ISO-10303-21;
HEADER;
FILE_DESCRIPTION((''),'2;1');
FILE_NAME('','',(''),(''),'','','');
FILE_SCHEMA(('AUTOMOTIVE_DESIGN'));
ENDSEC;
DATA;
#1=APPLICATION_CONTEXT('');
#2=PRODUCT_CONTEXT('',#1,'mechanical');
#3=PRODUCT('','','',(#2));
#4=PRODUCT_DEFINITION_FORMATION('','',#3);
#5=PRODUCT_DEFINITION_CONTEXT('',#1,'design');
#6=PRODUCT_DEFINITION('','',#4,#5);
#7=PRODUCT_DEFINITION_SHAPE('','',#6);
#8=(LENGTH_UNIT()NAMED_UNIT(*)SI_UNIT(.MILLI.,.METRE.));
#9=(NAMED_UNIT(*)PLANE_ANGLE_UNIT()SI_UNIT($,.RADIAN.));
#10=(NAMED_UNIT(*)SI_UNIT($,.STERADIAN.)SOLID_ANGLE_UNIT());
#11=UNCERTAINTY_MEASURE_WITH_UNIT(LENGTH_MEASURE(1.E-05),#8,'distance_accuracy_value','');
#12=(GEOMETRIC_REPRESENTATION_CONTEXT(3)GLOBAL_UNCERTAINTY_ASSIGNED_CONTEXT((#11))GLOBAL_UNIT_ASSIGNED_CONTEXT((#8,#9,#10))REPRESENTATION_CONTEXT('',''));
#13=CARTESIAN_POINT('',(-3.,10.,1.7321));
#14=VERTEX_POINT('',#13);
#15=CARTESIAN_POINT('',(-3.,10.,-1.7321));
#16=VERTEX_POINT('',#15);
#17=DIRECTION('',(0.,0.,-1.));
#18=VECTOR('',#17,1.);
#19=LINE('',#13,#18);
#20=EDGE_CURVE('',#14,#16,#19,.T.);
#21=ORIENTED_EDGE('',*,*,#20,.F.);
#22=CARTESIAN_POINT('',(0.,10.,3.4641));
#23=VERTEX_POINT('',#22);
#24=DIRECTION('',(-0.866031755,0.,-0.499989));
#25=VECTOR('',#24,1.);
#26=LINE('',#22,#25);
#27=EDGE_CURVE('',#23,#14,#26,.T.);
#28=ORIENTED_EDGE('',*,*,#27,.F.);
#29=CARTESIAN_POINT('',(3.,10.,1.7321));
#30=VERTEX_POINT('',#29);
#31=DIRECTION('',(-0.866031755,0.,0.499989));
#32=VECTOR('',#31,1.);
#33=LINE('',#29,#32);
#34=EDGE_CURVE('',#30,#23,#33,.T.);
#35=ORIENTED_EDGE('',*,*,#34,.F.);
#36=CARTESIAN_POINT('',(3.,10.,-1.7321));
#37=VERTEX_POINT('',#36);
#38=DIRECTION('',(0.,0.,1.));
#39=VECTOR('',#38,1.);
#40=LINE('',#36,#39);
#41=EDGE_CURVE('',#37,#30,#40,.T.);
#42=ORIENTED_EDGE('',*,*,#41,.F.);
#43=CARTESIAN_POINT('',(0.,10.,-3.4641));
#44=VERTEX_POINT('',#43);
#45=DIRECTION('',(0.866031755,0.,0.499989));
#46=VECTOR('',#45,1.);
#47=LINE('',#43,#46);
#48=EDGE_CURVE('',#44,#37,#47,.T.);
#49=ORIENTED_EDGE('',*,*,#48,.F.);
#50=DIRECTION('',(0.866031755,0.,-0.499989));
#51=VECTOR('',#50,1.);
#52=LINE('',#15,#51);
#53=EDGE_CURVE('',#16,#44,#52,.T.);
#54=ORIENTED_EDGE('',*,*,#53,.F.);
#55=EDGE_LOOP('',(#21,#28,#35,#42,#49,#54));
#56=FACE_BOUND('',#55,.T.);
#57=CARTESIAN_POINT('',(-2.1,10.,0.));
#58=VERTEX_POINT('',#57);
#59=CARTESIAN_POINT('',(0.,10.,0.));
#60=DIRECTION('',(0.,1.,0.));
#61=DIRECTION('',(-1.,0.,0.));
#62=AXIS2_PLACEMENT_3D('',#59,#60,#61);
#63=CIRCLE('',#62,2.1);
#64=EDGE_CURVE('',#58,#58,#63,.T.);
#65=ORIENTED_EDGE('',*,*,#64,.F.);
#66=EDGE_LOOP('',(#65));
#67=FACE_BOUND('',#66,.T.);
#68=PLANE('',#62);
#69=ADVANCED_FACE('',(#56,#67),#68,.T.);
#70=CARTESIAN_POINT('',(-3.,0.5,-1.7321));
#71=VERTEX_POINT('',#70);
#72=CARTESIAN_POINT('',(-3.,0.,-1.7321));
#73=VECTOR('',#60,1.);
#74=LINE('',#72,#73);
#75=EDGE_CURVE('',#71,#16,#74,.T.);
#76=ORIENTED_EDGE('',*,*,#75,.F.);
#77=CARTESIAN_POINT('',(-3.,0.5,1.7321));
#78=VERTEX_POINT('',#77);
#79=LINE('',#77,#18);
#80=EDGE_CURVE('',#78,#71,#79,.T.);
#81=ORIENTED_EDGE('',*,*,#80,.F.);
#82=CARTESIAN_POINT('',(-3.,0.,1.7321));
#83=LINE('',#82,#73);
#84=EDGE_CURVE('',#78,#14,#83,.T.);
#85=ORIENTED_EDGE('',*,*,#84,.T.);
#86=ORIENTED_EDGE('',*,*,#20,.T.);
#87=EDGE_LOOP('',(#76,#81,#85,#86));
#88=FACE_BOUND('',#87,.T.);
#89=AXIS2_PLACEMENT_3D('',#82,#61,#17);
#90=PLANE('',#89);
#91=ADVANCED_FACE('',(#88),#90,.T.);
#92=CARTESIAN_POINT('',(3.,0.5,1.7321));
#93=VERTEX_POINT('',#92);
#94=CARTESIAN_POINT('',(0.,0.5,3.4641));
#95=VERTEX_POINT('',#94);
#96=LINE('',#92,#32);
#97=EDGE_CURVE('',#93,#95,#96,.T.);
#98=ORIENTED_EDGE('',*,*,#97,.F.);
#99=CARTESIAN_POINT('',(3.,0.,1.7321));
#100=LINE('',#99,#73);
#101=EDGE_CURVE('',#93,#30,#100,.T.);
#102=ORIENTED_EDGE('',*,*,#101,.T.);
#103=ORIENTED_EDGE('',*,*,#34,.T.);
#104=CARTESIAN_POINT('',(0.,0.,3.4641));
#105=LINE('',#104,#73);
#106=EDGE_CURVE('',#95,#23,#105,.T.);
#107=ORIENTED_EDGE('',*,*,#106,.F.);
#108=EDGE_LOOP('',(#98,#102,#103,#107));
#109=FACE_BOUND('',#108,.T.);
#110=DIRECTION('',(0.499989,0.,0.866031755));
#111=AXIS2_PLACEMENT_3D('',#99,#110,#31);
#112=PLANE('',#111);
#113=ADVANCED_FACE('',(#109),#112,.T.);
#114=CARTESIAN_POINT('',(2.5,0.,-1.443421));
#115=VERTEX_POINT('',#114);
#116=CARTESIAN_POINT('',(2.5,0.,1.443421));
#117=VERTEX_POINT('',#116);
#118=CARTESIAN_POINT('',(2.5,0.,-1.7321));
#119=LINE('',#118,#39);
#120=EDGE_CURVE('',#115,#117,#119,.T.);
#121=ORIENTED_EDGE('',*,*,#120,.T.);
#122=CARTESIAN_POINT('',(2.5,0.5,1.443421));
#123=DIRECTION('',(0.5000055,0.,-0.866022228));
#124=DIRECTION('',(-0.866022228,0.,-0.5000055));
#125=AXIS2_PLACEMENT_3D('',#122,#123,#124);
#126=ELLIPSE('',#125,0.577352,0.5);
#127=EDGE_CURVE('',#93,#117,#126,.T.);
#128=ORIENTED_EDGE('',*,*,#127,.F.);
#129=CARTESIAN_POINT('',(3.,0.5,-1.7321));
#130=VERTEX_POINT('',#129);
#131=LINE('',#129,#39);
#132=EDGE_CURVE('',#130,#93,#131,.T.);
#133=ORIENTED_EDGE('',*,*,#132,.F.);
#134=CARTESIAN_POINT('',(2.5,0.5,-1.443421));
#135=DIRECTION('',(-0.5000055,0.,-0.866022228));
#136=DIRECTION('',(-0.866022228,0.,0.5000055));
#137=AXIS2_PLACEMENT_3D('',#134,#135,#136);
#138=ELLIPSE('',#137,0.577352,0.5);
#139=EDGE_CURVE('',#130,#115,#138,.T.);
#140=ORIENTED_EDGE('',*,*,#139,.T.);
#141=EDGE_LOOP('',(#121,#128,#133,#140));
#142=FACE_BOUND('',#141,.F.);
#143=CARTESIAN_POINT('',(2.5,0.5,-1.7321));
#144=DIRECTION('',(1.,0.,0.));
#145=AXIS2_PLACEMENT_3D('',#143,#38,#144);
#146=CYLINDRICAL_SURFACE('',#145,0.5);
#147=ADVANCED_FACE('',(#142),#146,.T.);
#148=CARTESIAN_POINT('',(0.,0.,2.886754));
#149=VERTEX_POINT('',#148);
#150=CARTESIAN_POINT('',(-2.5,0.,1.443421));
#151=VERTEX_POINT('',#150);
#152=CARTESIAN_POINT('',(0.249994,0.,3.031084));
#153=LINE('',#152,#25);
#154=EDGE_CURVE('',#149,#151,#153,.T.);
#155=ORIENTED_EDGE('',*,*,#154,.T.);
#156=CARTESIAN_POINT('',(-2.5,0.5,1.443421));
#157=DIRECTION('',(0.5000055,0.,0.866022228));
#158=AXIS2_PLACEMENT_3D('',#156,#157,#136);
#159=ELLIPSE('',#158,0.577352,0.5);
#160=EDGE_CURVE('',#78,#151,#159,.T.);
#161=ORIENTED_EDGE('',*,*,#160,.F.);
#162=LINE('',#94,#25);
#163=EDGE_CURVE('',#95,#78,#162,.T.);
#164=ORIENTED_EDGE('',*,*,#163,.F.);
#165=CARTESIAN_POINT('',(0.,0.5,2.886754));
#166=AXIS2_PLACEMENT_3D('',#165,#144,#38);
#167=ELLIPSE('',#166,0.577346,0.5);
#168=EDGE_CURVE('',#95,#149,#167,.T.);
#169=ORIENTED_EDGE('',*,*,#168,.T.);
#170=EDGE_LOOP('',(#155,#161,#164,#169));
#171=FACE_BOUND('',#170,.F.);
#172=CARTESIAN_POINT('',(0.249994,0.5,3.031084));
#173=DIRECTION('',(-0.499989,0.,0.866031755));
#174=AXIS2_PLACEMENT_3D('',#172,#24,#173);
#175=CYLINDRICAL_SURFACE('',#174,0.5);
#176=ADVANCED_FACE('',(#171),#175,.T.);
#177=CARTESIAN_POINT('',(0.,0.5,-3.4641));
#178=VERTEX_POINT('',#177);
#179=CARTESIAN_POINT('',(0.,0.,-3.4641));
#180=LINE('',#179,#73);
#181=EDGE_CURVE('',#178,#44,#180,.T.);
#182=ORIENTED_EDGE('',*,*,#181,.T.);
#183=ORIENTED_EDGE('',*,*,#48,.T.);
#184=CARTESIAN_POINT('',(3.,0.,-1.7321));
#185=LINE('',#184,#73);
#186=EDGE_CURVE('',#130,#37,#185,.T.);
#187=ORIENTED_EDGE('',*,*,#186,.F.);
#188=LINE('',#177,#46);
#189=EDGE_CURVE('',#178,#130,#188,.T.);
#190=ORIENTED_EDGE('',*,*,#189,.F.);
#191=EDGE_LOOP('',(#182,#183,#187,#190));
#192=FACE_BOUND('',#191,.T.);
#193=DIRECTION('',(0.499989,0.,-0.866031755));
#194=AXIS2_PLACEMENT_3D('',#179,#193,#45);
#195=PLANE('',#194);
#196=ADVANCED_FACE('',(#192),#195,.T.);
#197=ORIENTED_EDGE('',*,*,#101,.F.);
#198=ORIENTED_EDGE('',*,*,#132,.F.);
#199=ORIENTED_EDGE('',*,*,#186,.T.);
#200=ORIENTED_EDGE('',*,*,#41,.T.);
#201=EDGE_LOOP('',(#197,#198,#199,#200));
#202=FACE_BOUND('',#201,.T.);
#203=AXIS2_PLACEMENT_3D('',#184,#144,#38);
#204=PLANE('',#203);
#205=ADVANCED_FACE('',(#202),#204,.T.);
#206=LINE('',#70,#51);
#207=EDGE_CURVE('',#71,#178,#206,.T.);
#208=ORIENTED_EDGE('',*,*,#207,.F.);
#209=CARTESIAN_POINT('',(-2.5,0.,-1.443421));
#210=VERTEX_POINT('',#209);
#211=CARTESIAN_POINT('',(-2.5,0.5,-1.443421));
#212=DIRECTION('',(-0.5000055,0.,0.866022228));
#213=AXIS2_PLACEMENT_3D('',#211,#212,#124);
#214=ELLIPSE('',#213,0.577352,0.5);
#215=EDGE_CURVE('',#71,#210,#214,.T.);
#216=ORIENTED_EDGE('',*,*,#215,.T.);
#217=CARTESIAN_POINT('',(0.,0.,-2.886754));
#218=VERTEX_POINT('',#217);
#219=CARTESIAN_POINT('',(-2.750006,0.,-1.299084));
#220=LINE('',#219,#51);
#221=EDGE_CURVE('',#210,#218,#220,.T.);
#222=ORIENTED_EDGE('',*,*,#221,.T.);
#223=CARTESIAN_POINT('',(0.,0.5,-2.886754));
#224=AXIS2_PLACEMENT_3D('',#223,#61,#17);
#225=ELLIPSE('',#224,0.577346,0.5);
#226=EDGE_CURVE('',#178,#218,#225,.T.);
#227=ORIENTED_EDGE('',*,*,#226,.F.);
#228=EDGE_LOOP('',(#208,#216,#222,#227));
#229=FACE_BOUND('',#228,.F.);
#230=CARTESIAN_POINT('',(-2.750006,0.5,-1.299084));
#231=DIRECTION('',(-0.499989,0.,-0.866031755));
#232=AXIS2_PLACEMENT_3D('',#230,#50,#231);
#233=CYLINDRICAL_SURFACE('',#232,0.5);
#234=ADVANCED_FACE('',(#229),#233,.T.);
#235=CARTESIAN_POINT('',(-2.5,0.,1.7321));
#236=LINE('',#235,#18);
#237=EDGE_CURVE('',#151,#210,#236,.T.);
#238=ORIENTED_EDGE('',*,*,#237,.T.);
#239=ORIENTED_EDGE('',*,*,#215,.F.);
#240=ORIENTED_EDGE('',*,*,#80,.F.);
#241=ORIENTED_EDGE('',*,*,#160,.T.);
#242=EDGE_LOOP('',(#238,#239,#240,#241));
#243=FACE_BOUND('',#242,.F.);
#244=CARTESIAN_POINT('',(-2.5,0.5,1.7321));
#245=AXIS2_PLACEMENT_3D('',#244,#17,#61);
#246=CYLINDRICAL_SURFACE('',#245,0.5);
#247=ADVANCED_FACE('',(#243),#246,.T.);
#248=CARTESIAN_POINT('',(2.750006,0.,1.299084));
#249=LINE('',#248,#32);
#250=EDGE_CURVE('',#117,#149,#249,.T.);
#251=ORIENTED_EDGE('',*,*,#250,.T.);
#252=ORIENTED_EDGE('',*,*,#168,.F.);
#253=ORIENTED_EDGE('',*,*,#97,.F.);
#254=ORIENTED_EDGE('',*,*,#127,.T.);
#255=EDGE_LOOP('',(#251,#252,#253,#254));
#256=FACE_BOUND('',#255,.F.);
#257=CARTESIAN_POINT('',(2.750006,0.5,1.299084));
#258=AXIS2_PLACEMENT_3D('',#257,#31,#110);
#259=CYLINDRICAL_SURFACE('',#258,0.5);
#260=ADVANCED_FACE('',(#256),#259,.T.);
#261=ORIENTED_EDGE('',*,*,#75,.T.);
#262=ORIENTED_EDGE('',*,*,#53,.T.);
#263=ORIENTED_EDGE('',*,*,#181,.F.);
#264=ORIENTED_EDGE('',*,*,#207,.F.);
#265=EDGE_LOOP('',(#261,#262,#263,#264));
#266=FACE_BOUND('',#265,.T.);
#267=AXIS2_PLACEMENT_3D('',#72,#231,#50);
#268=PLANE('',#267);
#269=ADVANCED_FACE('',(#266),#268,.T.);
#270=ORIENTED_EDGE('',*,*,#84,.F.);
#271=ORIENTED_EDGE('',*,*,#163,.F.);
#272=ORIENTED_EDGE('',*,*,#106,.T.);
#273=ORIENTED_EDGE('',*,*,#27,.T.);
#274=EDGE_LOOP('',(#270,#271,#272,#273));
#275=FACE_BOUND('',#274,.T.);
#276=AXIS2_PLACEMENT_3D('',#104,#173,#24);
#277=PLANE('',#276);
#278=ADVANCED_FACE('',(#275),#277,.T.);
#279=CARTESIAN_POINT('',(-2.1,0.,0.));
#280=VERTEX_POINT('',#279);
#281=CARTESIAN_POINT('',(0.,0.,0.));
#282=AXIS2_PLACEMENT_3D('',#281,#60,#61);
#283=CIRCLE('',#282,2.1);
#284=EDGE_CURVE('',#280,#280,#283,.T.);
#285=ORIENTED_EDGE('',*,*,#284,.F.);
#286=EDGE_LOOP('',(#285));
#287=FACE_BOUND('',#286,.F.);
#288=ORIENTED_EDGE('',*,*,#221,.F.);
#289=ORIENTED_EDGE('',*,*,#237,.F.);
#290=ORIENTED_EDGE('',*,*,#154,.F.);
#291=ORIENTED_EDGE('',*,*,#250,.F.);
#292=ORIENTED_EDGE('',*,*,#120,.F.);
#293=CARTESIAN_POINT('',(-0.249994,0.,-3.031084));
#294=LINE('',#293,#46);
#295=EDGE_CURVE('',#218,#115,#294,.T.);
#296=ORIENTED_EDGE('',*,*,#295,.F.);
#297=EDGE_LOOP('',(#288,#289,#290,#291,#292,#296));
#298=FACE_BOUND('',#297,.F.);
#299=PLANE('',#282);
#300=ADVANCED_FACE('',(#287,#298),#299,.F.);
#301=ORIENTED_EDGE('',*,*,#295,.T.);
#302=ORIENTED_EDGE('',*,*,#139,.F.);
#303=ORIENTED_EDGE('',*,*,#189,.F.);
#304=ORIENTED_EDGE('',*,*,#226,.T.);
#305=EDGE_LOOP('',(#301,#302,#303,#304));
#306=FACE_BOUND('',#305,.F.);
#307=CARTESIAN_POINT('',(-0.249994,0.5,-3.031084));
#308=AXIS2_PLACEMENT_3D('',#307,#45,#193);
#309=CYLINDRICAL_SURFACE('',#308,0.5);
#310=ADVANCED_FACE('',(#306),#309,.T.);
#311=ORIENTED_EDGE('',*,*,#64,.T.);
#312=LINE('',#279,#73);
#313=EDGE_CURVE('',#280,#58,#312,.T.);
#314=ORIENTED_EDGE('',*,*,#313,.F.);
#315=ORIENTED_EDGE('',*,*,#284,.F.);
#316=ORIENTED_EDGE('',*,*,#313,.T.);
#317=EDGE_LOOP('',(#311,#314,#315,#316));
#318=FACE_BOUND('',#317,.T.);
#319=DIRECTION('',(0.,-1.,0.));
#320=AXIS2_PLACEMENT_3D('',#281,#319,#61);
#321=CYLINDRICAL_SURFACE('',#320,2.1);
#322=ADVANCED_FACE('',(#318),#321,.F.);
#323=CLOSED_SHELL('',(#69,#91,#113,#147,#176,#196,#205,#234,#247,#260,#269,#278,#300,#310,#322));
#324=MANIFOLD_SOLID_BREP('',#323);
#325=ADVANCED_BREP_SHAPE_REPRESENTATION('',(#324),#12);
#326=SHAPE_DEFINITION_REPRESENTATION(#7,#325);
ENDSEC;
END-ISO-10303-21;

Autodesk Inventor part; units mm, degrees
ref_plane "YZ Plane" through (0, 0, 0) normal (1, 0, 0) x (0, 1, 0)
ref_plane "XZ Plane" through (0, 0, 0) normal (0, 1, 0) x (-1, 0, 0)
ref_plane "XY Plane" through (0, 0, 0) normal (0, 0, 1) x (1, 0, 0)
sketch "Sketch1" plane through (0, 0, 0) normal (0, 1, 0) x (-1, 0, 0)
  circle A0 centre (0, 0) radius 2.1
  line L0 (0, -3.4641) -> (-3, -1.7321)
  line L1 (-3, -1.7321) -> (-3, 1.7321)
  line L2 (-3, 1.7321) -> (0, 3.4641)
  line L3 (0, 3.4641) -> (3, 1.7321)
  line L4 (3, 1.7321) -> (3, -1.7321)
  line L5 (3, -1.7321) -> (0, -3.4641)
  dimension "d0" = 4.2
  dimension "d1" = 3
extrude "Extrusion1" add sketch "Sketch1" along normal blind 10
fillet "Fillet1" radius 0.5 6 edges at (1.5, 0, 2.5981) (3, 0, 0) (-1.5, 0, 2.5981) (-3, 0, 0) (-1.5, 0, -2.5981) (1.5, 0, -2.5981)
thread "Thread1" size "M4.5x0.75" class "6H" standard "ISO Metric profile" length 10
properties part number "liftmotorbasenut" material "Iron, Ductile"
